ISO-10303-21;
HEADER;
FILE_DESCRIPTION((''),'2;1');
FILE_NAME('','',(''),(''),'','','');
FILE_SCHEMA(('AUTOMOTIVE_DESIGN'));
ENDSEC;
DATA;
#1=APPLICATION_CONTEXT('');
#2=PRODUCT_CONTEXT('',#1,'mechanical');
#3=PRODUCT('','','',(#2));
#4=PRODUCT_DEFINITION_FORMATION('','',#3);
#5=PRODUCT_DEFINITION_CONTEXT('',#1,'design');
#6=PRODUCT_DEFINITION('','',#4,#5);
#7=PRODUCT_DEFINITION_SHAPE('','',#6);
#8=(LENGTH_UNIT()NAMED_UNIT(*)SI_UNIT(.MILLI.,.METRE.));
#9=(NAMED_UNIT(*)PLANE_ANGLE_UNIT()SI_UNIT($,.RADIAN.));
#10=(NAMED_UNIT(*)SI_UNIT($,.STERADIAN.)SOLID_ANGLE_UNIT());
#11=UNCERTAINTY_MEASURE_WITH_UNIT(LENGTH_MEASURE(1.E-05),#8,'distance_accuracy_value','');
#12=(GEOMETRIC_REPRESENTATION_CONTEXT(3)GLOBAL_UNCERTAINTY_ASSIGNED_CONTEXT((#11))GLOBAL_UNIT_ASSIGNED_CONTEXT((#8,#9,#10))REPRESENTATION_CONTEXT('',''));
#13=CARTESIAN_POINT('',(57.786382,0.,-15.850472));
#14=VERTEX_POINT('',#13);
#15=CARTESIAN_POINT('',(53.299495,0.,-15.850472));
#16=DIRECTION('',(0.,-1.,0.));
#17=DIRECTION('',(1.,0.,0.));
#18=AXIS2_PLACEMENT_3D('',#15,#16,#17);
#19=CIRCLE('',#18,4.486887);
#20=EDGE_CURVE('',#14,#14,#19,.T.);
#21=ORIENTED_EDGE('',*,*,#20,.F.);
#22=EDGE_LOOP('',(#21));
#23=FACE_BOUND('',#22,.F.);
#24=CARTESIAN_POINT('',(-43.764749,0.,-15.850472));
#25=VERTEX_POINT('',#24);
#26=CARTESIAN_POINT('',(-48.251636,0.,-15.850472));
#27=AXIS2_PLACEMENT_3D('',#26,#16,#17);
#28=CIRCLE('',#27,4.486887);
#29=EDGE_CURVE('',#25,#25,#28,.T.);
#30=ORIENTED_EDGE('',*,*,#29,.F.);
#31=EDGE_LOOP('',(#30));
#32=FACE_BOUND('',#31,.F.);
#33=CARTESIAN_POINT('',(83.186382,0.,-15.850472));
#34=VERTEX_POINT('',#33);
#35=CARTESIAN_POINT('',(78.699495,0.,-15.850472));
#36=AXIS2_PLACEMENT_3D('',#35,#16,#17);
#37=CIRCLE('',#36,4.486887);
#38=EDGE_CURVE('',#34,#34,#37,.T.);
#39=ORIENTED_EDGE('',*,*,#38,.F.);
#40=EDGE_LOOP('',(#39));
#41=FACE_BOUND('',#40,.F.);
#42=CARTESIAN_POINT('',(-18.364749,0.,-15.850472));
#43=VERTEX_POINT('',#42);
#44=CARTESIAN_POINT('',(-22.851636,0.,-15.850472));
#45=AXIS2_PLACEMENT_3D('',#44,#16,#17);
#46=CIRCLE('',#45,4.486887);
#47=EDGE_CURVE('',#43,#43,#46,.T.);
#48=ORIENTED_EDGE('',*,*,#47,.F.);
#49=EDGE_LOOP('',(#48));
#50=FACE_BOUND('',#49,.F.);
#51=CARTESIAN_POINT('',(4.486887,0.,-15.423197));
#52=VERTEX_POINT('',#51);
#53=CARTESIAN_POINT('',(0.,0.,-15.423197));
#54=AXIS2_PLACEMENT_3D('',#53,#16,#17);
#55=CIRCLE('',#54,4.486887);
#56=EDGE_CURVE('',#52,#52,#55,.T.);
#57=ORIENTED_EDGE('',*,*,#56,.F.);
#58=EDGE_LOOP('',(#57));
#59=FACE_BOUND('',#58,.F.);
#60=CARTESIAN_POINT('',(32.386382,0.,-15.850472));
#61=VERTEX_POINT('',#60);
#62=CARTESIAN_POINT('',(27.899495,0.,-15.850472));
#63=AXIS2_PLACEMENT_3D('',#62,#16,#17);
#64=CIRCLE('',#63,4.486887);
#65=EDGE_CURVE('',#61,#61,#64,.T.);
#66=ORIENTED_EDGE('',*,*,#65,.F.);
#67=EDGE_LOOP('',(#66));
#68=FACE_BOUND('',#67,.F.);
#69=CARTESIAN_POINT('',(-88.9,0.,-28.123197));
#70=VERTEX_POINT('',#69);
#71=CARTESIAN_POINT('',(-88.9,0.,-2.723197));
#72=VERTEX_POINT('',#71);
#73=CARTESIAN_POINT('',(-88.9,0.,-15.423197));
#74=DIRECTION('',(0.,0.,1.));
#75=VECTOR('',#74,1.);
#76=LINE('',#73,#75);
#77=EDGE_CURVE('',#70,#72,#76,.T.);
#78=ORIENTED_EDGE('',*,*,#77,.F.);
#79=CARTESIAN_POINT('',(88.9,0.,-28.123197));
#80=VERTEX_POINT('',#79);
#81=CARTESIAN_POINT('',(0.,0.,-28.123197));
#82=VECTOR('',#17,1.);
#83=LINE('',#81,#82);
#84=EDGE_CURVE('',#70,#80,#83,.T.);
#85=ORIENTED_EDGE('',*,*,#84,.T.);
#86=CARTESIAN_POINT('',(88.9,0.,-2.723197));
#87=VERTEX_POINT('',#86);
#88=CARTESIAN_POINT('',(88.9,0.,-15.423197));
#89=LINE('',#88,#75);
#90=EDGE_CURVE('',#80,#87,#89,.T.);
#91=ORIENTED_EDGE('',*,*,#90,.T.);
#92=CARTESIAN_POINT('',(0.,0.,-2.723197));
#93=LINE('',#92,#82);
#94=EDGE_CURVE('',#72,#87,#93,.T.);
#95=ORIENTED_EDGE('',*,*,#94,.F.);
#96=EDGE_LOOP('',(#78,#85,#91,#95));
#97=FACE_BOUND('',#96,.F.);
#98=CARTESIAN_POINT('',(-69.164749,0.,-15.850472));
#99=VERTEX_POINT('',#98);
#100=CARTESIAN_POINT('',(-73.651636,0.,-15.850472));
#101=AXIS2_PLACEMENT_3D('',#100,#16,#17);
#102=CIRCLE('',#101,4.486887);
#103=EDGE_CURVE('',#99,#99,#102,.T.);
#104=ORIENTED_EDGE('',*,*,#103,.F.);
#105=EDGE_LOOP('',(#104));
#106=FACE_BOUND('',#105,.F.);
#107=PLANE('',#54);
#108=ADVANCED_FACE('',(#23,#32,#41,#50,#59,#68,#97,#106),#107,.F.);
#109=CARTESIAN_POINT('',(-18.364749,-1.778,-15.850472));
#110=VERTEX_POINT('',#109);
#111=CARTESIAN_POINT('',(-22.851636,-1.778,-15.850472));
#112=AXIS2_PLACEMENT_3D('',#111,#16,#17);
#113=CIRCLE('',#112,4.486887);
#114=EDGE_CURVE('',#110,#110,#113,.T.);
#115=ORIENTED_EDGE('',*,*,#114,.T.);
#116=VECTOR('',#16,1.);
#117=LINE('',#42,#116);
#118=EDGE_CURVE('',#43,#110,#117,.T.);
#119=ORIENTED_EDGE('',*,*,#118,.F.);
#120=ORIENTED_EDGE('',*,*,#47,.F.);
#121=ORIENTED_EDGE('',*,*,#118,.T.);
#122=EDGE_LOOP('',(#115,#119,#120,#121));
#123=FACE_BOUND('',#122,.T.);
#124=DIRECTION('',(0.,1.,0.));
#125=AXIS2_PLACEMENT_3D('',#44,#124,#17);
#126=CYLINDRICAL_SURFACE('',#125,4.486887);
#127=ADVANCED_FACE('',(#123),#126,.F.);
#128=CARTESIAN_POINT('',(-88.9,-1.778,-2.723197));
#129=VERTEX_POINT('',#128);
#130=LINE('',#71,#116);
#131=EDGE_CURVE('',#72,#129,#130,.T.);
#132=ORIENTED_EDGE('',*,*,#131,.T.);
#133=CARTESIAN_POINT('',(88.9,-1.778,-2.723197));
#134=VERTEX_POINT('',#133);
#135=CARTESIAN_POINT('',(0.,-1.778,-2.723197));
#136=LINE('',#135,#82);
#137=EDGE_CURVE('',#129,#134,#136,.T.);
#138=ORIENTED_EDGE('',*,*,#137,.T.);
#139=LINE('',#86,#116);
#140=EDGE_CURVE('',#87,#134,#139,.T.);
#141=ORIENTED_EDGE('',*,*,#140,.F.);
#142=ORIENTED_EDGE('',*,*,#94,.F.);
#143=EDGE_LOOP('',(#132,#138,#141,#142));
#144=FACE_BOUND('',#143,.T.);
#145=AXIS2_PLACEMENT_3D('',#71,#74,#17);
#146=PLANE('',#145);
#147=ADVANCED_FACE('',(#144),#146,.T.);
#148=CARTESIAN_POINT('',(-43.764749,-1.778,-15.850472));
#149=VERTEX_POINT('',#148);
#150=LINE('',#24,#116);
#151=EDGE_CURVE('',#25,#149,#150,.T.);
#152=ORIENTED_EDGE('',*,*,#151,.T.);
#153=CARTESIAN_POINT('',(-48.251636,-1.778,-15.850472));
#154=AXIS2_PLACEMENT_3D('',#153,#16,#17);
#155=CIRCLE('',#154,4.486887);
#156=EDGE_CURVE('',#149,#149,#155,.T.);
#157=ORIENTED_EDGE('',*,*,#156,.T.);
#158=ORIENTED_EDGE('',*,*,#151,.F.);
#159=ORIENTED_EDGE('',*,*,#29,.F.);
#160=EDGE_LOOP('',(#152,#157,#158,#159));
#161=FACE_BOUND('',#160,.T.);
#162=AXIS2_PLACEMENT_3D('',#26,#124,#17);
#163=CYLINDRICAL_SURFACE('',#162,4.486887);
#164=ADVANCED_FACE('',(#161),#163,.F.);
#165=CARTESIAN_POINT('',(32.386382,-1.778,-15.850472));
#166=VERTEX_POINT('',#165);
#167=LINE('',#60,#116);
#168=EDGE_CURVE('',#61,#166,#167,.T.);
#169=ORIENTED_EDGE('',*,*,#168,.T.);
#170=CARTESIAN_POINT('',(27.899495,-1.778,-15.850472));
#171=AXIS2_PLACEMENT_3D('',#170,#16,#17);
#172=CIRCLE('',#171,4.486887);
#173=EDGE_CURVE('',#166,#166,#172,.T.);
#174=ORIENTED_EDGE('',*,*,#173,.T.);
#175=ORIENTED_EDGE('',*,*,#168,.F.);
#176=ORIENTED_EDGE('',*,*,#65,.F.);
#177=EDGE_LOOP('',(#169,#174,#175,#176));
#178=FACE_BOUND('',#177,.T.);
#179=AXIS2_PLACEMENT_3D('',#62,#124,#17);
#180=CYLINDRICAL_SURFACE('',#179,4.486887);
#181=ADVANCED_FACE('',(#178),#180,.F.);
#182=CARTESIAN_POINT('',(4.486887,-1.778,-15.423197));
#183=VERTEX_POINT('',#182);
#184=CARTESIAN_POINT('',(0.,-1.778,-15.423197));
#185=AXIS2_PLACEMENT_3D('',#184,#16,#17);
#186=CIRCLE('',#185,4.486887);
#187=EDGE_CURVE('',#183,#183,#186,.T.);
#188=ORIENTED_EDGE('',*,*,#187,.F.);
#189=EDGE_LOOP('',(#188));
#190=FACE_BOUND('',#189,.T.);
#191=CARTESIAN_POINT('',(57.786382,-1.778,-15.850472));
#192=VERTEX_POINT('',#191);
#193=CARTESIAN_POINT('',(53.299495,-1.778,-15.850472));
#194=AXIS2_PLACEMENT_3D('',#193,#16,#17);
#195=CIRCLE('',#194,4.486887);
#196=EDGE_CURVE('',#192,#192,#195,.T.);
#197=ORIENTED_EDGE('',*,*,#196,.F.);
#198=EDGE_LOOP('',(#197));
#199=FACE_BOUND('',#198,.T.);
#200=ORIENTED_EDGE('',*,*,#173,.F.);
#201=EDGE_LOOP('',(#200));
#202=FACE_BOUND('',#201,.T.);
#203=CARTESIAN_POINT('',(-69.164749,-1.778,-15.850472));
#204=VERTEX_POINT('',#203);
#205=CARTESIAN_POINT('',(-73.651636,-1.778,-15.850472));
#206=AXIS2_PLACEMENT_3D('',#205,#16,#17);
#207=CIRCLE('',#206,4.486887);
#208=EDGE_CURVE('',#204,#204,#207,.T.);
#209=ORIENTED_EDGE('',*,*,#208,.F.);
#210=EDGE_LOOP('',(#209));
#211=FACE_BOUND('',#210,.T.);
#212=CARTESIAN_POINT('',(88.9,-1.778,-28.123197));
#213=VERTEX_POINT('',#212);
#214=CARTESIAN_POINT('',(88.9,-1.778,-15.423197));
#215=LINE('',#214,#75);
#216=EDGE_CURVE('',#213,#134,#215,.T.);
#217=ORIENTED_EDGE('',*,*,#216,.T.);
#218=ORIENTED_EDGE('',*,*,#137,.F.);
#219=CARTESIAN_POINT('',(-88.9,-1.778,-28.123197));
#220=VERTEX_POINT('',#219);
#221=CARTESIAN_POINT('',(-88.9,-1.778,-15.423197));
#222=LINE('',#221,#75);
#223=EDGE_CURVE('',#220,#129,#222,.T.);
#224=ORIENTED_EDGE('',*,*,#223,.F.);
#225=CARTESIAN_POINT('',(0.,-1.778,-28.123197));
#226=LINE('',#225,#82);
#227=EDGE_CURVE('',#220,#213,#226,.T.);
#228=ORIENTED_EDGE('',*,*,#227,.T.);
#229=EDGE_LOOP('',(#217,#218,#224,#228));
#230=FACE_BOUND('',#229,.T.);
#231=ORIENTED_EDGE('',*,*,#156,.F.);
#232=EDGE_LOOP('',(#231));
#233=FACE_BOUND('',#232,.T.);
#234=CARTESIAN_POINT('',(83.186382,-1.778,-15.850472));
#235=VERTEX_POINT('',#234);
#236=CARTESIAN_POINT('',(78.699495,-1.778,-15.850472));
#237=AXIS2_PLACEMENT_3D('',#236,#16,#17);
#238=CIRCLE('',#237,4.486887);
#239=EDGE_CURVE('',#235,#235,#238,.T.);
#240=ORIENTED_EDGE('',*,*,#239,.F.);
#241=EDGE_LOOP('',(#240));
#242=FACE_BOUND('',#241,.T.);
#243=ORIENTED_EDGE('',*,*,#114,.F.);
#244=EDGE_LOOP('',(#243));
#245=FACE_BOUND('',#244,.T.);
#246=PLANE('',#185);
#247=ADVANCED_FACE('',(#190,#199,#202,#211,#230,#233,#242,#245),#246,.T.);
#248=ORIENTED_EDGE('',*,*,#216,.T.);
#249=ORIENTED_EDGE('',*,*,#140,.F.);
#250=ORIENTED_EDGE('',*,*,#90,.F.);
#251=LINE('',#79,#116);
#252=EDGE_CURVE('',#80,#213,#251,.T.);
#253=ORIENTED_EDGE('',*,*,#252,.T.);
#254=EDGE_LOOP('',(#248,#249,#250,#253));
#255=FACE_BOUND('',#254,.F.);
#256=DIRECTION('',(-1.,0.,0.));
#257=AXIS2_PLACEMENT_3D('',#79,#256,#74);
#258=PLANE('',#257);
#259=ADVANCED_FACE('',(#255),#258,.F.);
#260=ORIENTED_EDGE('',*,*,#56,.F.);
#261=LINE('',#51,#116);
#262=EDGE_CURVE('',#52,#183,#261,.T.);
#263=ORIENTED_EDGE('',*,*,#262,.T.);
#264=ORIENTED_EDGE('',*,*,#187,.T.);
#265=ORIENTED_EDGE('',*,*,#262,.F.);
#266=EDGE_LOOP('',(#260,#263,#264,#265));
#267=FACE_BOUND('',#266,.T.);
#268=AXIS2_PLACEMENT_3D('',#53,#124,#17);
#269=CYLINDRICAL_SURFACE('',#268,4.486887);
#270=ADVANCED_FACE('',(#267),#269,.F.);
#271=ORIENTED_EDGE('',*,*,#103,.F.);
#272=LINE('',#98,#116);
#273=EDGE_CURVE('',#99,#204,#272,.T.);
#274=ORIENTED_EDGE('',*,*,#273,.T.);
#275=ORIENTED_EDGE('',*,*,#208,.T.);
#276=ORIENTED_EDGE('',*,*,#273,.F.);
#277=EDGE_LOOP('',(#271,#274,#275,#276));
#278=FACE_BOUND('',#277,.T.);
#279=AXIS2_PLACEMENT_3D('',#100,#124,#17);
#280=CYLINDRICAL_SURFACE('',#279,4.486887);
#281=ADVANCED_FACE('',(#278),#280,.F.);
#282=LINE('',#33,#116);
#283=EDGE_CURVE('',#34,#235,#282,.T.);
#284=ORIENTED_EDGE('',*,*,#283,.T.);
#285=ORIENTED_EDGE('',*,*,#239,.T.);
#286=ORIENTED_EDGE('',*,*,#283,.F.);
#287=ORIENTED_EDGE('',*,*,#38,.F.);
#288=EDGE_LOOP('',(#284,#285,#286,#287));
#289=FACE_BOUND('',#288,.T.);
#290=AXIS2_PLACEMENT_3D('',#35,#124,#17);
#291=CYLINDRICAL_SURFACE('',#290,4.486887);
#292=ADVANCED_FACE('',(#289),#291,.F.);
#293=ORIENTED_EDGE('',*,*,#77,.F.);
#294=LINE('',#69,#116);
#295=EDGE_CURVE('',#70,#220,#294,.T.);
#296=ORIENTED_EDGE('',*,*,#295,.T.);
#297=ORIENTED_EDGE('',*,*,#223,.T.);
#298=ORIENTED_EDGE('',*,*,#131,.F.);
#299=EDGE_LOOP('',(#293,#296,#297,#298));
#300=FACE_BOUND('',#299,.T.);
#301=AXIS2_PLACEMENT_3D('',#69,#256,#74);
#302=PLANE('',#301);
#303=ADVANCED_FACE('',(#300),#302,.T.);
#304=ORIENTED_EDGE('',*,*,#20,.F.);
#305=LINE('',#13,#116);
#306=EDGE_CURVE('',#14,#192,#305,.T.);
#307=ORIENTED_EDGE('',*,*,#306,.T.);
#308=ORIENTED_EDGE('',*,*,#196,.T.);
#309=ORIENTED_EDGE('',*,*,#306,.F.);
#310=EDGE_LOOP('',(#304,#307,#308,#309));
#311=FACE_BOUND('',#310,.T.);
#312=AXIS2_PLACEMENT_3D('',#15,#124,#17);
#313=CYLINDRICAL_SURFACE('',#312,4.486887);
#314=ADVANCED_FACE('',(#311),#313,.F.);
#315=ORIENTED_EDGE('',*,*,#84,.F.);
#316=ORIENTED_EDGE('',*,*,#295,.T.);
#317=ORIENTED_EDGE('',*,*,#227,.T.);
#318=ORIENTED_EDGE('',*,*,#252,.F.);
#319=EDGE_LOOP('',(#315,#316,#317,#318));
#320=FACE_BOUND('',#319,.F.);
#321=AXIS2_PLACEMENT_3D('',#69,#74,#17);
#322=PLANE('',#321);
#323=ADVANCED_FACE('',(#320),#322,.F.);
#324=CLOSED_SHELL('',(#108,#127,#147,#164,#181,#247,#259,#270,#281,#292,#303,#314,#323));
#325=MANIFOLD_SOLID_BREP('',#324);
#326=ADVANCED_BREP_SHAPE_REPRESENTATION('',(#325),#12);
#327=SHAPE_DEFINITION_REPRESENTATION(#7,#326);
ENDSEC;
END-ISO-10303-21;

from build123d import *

# Parameters (mm, degrees)
F0_W     = 177.8
F0_H     = 25.4
F0_R     = 4.486887
F1_DEPTH = 1.778


with BuildPart() as f1:
    # F0 (on Front) → F1 (new body)
    with BuildSketch(Plane.XZ):
        with Locations((0, -15.423197)):
            Rectangle(F0_W, F0_H)
        with Locations((-73.651636, -15.850472)):
            Circle(F0_R, mode=Mode.SUBTRACT)
        with Locations((-48.251636, -15.850472)):
            Circle(F0_R, mode=Mode.SUBTRACT)
        with Locations((-22.851636, -15.850472)):
            Circle(F0_R, mode=Mode.SUBTRACT)
        with Locations((27.899495, -15.850472)):
            Circle(F0_R, mode=Mode.SUBTRACT)
        with Locations((53.299495, -15.850472)):
            Circle(F0_R, mode=Mode.SUBTRACT)
        with Locations((78.699495, -15.850472)):
            Circle(F0_R, mode=Mode.SUBTRACT)
        with Locations((0, -15.423197)):
            Circle(F0_R, mode=Mode.SUBTRACT)
    extrude(amount=F1_DEPTH)


solid = f1.part
